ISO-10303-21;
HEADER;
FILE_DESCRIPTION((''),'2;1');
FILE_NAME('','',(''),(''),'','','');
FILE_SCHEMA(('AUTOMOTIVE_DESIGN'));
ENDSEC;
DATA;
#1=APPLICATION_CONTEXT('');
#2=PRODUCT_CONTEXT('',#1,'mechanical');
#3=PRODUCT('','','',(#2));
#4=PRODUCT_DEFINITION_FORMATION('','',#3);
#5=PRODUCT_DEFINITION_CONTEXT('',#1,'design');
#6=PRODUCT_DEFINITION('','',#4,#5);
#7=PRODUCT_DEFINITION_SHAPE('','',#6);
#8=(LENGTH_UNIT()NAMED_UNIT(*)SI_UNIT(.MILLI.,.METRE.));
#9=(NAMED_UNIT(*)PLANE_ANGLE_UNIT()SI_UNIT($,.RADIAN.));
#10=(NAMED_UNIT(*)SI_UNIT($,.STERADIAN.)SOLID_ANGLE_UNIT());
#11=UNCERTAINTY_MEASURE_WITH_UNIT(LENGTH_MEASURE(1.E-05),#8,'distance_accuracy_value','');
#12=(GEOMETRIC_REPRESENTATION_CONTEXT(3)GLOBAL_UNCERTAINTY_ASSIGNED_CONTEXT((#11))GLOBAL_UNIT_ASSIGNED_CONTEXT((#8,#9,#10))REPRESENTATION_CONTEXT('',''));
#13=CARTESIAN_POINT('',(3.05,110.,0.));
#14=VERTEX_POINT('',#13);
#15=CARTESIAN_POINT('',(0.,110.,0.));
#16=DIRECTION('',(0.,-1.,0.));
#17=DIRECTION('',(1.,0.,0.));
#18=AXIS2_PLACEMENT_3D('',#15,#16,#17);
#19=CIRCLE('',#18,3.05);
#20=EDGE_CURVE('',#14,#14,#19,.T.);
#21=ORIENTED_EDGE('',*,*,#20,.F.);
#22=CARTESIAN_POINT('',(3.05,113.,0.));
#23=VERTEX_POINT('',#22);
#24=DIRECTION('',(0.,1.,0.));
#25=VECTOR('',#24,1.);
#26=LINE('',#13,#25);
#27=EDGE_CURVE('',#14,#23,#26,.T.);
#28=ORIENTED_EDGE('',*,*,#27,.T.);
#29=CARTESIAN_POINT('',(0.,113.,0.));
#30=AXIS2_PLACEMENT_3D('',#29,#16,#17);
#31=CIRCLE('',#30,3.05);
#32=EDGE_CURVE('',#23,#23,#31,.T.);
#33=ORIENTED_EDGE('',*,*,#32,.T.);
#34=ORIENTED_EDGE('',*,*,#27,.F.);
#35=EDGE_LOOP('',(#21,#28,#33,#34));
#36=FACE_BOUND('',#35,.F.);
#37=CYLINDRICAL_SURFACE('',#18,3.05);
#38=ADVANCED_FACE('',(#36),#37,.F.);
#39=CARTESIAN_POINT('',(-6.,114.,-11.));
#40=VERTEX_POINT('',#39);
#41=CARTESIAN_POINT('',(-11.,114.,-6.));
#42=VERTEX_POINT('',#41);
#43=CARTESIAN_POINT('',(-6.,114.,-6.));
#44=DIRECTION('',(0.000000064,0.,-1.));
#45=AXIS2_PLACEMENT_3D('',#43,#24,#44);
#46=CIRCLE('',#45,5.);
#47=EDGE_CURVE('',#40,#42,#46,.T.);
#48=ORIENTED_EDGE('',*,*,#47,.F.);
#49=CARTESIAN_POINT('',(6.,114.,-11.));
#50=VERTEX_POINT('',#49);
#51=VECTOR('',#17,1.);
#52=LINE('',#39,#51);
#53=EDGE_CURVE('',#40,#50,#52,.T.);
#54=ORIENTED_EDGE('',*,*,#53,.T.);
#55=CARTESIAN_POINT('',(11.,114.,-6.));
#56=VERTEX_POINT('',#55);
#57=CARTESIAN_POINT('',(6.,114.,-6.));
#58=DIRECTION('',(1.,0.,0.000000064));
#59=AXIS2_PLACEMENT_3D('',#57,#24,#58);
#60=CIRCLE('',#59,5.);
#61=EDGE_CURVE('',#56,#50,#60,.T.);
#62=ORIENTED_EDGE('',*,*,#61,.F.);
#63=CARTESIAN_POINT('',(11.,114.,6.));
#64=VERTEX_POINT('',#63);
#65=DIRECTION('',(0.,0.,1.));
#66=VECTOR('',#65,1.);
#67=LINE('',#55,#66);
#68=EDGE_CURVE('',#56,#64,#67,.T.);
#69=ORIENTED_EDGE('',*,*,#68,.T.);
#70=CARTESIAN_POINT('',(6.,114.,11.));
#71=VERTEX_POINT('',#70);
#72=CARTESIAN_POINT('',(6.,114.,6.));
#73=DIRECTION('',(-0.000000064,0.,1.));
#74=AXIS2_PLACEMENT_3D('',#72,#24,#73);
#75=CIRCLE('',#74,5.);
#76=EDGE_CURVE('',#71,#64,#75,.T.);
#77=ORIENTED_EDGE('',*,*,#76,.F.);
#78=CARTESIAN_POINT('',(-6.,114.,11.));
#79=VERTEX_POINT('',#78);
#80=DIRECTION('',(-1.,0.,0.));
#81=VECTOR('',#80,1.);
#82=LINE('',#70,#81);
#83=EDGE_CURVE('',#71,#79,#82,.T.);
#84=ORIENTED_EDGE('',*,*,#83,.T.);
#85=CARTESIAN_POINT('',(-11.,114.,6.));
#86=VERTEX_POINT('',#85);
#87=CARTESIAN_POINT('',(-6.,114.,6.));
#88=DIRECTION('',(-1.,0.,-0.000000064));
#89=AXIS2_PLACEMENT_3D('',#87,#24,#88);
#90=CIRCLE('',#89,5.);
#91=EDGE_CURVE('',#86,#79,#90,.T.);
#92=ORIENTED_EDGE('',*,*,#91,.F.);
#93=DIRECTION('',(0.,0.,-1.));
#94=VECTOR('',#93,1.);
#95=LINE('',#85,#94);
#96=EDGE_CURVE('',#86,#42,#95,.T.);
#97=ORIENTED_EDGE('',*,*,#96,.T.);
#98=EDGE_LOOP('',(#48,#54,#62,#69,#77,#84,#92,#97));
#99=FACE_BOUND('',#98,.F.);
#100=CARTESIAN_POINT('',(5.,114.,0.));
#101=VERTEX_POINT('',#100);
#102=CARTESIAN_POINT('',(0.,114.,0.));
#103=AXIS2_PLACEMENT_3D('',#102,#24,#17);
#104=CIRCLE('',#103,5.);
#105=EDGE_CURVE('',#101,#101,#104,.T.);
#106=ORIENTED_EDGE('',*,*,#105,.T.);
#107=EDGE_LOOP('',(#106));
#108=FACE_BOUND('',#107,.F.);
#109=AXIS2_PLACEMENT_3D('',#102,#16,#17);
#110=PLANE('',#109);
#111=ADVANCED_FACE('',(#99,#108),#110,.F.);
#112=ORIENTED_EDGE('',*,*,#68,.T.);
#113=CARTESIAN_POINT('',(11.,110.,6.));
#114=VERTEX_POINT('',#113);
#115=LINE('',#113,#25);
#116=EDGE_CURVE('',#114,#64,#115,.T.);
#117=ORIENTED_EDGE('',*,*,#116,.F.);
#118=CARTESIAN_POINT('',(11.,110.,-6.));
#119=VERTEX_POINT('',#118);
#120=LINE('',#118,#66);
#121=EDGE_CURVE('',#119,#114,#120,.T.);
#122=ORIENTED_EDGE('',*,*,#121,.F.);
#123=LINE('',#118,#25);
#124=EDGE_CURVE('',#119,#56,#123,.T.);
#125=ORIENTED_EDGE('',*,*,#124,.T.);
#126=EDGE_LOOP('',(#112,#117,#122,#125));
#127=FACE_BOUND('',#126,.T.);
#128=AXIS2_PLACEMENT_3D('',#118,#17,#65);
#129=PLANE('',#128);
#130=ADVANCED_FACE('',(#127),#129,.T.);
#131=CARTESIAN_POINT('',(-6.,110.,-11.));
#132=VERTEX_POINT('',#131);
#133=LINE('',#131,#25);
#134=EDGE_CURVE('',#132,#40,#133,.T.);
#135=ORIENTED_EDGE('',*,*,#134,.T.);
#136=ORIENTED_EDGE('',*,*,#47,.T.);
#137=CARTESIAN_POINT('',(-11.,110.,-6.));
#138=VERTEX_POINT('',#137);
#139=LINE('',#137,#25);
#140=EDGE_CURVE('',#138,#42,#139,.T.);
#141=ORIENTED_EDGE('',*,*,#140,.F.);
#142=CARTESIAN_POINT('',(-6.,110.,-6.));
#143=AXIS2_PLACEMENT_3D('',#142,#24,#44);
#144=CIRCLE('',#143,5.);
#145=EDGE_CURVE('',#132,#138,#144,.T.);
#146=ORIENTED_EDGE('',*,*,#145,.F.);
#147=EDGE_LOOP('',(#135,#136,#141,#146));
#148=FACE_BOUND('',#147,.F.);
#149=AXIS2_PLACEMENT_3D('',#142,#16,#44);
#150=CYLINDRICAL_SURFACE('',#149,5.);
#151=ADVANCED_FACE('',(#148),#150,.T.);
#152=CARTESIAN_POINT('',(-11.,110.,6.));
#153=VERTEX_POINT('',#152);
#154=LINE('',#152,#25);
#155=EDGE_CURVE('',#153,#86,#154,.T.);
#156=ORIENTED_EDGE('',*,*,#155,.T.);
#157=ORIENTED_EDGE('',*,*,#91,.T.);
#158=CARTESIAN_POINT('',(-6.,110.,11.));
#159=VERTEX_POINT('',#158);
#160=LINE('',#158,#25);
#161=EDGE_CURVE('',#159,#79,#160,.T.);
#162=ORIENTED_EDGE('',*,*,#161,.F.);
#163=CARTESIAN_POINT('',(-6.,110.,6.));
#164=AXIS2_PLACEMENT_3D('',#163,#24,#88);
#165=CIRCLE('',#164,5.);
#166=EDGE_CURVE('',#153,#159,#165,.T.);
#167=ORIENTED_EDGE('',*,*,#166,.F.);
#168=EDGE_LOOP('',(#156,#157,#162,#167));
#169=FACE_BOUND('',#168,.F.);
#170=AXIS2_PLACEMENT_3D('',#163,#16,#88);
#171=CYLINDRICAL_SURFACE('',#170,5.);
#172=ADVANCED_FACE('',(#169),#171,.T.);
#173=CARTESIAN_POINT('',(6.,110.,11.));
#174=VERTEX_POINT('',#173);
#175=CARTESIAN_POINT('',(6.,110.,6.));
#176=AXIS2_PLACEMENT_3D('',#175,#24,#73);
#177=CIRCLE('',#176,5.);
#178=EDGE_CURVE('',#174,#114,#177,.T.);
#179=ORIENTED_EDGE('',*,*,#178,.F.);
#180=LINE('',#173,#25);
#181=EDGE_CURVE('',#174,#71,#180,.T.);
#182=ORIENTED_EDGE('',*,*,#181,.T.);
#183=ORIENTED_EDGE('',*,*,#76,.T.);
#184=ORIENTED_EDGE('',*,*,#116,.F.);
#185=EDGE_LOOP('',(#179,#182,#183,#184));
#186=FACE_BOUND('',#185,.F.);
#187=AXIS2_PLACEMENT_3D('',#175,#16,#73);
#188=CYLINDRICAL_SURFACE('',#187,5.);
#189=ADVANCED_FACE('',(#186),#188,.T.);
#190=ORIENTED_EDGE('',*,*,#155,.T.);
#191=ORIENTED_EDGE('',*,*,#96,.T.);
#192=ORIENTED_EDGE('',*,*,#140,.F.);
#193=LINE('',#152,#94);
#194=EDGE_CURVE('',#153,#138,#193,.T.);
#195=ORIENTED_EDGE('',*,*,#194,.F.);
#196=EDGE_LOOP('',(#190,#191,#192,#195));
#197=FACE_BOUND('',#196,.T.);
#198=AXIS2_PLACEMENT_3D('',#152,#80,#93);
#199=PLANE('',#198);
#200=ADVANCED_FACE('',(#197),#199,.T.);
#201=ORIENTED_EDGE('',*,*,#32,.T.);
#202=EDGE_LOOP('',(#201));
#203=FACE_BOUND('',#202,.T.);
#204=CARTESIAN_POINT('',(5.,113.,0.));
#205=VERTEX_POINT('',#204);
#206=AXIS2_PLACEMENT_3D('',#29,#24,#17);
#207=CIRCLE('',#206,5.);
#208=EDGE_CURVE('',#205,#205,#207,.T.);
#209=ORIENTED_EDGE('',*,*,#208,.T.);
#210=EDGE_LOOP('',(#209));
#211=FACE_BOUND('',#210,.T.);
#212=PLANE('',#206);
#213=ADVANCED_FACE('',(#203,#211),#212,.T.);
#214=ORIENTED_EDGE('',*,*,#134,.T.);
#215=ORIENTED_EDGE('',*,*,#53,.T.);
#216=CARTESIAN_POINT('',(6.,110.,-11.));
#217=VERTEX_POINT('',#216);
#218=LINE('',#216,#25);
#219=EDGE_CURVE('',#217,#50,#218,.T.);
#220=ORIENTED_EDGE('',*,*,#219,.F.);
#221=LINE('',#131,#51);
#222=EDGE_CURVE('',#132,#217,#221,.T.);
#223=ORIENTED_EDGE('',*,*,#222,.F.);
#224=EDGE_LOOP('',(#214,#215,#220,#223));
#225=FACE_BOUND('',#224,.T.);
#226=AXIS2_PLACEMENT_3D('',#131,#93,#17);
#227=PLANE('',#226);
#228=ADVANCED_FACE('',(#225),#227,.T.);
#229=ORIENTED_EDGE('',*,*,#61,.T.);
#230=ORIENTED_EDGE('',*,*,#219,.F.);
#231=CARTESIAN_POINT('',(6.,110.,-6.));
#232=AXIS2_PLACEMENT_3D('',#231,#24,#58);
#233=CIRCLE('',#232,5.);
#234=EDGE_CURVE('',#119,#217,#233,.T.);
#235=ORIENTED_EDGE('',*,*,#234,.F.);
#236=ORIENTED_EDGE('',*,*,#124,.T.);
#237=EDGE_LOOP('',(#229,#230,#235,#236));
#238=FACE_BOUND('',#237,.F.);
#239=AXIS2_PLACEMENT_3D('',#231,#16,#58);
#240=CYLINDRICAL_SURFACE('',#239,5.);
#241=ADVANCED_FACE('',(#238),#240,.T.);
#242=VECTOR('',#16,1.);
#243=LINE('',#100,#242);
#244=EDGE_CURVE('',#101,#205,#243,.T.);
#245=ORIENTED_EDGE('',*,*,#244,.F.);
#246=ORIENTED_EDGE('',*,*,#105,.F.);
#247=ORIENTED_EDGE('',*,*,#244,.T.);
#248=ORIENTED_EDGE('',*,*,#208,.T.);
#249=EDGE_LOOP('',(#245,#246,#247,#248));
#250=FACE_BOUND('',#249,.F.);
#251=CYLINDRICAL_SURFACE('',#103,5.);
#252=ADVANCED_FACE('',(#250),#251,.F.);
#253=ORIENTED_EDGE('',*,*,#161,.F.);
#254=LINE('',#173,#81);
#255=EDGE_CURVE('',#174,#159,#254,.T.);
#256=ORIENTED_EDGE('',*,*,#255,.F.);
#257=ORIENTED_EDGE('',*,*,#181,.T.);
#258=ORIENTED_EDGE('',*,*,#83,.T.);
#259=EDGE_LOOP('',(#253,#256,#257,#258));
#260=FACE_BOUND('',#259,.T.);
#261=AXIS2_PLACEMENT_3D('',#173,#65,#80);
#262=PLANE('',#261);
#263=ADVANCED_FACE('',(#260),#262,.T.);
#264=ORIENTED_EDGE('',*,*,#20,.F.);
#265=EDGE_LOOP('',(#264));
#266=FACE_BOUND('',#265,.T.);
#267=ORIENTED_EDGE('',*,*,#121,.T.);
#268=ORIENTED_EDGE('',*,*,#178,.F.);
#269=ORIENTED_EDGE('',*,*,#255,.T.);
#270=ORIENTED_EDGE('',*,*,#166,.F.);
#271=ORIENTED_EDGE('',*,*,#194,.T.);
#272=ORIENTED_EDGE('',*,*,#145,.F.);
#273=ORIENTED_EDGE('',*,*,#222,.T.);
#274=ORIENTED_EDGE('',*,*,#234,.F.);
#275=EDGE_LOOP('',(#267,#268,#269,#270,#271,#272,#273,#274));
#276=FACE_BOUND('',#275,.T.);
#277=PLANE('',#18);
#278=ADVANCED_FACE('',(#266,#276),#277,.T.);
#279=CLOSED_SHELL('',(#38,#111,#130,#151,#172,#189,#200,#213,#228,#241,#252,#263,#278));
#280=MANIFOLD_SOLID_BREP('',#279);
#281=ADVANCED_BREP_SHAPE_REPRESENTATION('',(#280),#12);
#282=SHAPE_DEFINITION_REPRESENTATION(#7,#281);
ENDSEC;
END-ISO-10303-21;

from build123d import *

# Parameters (mm, degrees)
PAD008_DEPTH    = 4
SKETCH032_R     = 3.05
POCKET_DEPTH    = 3.2
SKETCH033_R     = 5
POCKET001_DEPTH = 1


with BuildPart() as part:
    # Sketch013 → Pad008 (new body)
    with BuildSketch(Plane(origin=(0, 0, 0), x_dir=(-1, 0, 0), z_dir=(0, 1, 0))):
        with BuildLine():
            Line((-6, 11), (6, 11))
            ThreePointArc((11, 6), (9.535534, 9.535534), (6, 11))
            Line((11, 6), (11, -6))
            ThreePointArc((6, -11), (9.535534, -9.535534), (11, -6))
            Line((6, -11), (-6, -11))
            ThreePointArc((-11, -6), (-9.535534, -9.535534), (-6, -11))
            Line((-11, -6), (-11, 6))
            ThreePointArc((-6, 11), (-9.535534, 9.535534), (-11, 6))
        make_face()
    extrude(amount=PAD008_DEPTH)

    # Sketch032 → Pocket (cut)
    with BuildSketch(Plane.XZ):
        Circle(SKETCH032_R)
    extrude(amount=-POCKET_DEPTH, mode=Mode.SUBTRACT)

    # Sketch033 (on Face5 of Pocket) → Pocket001 (cut)
    with BuildSketch(Plane(origin=(0, 4, 0), x_dir=(1, 0, 0), z_dir=(0, 1, 0))):
        Circle(SKETCH033_R)
    extrude(amount=-POCKET001_DEPTH, mode=Mode.SUBTRACT)


with BuildPart() as part_1:
    # Body013 placement: moved
    add(part.part.moved(Location((0, 110, 0))))


solid = part_1.part
